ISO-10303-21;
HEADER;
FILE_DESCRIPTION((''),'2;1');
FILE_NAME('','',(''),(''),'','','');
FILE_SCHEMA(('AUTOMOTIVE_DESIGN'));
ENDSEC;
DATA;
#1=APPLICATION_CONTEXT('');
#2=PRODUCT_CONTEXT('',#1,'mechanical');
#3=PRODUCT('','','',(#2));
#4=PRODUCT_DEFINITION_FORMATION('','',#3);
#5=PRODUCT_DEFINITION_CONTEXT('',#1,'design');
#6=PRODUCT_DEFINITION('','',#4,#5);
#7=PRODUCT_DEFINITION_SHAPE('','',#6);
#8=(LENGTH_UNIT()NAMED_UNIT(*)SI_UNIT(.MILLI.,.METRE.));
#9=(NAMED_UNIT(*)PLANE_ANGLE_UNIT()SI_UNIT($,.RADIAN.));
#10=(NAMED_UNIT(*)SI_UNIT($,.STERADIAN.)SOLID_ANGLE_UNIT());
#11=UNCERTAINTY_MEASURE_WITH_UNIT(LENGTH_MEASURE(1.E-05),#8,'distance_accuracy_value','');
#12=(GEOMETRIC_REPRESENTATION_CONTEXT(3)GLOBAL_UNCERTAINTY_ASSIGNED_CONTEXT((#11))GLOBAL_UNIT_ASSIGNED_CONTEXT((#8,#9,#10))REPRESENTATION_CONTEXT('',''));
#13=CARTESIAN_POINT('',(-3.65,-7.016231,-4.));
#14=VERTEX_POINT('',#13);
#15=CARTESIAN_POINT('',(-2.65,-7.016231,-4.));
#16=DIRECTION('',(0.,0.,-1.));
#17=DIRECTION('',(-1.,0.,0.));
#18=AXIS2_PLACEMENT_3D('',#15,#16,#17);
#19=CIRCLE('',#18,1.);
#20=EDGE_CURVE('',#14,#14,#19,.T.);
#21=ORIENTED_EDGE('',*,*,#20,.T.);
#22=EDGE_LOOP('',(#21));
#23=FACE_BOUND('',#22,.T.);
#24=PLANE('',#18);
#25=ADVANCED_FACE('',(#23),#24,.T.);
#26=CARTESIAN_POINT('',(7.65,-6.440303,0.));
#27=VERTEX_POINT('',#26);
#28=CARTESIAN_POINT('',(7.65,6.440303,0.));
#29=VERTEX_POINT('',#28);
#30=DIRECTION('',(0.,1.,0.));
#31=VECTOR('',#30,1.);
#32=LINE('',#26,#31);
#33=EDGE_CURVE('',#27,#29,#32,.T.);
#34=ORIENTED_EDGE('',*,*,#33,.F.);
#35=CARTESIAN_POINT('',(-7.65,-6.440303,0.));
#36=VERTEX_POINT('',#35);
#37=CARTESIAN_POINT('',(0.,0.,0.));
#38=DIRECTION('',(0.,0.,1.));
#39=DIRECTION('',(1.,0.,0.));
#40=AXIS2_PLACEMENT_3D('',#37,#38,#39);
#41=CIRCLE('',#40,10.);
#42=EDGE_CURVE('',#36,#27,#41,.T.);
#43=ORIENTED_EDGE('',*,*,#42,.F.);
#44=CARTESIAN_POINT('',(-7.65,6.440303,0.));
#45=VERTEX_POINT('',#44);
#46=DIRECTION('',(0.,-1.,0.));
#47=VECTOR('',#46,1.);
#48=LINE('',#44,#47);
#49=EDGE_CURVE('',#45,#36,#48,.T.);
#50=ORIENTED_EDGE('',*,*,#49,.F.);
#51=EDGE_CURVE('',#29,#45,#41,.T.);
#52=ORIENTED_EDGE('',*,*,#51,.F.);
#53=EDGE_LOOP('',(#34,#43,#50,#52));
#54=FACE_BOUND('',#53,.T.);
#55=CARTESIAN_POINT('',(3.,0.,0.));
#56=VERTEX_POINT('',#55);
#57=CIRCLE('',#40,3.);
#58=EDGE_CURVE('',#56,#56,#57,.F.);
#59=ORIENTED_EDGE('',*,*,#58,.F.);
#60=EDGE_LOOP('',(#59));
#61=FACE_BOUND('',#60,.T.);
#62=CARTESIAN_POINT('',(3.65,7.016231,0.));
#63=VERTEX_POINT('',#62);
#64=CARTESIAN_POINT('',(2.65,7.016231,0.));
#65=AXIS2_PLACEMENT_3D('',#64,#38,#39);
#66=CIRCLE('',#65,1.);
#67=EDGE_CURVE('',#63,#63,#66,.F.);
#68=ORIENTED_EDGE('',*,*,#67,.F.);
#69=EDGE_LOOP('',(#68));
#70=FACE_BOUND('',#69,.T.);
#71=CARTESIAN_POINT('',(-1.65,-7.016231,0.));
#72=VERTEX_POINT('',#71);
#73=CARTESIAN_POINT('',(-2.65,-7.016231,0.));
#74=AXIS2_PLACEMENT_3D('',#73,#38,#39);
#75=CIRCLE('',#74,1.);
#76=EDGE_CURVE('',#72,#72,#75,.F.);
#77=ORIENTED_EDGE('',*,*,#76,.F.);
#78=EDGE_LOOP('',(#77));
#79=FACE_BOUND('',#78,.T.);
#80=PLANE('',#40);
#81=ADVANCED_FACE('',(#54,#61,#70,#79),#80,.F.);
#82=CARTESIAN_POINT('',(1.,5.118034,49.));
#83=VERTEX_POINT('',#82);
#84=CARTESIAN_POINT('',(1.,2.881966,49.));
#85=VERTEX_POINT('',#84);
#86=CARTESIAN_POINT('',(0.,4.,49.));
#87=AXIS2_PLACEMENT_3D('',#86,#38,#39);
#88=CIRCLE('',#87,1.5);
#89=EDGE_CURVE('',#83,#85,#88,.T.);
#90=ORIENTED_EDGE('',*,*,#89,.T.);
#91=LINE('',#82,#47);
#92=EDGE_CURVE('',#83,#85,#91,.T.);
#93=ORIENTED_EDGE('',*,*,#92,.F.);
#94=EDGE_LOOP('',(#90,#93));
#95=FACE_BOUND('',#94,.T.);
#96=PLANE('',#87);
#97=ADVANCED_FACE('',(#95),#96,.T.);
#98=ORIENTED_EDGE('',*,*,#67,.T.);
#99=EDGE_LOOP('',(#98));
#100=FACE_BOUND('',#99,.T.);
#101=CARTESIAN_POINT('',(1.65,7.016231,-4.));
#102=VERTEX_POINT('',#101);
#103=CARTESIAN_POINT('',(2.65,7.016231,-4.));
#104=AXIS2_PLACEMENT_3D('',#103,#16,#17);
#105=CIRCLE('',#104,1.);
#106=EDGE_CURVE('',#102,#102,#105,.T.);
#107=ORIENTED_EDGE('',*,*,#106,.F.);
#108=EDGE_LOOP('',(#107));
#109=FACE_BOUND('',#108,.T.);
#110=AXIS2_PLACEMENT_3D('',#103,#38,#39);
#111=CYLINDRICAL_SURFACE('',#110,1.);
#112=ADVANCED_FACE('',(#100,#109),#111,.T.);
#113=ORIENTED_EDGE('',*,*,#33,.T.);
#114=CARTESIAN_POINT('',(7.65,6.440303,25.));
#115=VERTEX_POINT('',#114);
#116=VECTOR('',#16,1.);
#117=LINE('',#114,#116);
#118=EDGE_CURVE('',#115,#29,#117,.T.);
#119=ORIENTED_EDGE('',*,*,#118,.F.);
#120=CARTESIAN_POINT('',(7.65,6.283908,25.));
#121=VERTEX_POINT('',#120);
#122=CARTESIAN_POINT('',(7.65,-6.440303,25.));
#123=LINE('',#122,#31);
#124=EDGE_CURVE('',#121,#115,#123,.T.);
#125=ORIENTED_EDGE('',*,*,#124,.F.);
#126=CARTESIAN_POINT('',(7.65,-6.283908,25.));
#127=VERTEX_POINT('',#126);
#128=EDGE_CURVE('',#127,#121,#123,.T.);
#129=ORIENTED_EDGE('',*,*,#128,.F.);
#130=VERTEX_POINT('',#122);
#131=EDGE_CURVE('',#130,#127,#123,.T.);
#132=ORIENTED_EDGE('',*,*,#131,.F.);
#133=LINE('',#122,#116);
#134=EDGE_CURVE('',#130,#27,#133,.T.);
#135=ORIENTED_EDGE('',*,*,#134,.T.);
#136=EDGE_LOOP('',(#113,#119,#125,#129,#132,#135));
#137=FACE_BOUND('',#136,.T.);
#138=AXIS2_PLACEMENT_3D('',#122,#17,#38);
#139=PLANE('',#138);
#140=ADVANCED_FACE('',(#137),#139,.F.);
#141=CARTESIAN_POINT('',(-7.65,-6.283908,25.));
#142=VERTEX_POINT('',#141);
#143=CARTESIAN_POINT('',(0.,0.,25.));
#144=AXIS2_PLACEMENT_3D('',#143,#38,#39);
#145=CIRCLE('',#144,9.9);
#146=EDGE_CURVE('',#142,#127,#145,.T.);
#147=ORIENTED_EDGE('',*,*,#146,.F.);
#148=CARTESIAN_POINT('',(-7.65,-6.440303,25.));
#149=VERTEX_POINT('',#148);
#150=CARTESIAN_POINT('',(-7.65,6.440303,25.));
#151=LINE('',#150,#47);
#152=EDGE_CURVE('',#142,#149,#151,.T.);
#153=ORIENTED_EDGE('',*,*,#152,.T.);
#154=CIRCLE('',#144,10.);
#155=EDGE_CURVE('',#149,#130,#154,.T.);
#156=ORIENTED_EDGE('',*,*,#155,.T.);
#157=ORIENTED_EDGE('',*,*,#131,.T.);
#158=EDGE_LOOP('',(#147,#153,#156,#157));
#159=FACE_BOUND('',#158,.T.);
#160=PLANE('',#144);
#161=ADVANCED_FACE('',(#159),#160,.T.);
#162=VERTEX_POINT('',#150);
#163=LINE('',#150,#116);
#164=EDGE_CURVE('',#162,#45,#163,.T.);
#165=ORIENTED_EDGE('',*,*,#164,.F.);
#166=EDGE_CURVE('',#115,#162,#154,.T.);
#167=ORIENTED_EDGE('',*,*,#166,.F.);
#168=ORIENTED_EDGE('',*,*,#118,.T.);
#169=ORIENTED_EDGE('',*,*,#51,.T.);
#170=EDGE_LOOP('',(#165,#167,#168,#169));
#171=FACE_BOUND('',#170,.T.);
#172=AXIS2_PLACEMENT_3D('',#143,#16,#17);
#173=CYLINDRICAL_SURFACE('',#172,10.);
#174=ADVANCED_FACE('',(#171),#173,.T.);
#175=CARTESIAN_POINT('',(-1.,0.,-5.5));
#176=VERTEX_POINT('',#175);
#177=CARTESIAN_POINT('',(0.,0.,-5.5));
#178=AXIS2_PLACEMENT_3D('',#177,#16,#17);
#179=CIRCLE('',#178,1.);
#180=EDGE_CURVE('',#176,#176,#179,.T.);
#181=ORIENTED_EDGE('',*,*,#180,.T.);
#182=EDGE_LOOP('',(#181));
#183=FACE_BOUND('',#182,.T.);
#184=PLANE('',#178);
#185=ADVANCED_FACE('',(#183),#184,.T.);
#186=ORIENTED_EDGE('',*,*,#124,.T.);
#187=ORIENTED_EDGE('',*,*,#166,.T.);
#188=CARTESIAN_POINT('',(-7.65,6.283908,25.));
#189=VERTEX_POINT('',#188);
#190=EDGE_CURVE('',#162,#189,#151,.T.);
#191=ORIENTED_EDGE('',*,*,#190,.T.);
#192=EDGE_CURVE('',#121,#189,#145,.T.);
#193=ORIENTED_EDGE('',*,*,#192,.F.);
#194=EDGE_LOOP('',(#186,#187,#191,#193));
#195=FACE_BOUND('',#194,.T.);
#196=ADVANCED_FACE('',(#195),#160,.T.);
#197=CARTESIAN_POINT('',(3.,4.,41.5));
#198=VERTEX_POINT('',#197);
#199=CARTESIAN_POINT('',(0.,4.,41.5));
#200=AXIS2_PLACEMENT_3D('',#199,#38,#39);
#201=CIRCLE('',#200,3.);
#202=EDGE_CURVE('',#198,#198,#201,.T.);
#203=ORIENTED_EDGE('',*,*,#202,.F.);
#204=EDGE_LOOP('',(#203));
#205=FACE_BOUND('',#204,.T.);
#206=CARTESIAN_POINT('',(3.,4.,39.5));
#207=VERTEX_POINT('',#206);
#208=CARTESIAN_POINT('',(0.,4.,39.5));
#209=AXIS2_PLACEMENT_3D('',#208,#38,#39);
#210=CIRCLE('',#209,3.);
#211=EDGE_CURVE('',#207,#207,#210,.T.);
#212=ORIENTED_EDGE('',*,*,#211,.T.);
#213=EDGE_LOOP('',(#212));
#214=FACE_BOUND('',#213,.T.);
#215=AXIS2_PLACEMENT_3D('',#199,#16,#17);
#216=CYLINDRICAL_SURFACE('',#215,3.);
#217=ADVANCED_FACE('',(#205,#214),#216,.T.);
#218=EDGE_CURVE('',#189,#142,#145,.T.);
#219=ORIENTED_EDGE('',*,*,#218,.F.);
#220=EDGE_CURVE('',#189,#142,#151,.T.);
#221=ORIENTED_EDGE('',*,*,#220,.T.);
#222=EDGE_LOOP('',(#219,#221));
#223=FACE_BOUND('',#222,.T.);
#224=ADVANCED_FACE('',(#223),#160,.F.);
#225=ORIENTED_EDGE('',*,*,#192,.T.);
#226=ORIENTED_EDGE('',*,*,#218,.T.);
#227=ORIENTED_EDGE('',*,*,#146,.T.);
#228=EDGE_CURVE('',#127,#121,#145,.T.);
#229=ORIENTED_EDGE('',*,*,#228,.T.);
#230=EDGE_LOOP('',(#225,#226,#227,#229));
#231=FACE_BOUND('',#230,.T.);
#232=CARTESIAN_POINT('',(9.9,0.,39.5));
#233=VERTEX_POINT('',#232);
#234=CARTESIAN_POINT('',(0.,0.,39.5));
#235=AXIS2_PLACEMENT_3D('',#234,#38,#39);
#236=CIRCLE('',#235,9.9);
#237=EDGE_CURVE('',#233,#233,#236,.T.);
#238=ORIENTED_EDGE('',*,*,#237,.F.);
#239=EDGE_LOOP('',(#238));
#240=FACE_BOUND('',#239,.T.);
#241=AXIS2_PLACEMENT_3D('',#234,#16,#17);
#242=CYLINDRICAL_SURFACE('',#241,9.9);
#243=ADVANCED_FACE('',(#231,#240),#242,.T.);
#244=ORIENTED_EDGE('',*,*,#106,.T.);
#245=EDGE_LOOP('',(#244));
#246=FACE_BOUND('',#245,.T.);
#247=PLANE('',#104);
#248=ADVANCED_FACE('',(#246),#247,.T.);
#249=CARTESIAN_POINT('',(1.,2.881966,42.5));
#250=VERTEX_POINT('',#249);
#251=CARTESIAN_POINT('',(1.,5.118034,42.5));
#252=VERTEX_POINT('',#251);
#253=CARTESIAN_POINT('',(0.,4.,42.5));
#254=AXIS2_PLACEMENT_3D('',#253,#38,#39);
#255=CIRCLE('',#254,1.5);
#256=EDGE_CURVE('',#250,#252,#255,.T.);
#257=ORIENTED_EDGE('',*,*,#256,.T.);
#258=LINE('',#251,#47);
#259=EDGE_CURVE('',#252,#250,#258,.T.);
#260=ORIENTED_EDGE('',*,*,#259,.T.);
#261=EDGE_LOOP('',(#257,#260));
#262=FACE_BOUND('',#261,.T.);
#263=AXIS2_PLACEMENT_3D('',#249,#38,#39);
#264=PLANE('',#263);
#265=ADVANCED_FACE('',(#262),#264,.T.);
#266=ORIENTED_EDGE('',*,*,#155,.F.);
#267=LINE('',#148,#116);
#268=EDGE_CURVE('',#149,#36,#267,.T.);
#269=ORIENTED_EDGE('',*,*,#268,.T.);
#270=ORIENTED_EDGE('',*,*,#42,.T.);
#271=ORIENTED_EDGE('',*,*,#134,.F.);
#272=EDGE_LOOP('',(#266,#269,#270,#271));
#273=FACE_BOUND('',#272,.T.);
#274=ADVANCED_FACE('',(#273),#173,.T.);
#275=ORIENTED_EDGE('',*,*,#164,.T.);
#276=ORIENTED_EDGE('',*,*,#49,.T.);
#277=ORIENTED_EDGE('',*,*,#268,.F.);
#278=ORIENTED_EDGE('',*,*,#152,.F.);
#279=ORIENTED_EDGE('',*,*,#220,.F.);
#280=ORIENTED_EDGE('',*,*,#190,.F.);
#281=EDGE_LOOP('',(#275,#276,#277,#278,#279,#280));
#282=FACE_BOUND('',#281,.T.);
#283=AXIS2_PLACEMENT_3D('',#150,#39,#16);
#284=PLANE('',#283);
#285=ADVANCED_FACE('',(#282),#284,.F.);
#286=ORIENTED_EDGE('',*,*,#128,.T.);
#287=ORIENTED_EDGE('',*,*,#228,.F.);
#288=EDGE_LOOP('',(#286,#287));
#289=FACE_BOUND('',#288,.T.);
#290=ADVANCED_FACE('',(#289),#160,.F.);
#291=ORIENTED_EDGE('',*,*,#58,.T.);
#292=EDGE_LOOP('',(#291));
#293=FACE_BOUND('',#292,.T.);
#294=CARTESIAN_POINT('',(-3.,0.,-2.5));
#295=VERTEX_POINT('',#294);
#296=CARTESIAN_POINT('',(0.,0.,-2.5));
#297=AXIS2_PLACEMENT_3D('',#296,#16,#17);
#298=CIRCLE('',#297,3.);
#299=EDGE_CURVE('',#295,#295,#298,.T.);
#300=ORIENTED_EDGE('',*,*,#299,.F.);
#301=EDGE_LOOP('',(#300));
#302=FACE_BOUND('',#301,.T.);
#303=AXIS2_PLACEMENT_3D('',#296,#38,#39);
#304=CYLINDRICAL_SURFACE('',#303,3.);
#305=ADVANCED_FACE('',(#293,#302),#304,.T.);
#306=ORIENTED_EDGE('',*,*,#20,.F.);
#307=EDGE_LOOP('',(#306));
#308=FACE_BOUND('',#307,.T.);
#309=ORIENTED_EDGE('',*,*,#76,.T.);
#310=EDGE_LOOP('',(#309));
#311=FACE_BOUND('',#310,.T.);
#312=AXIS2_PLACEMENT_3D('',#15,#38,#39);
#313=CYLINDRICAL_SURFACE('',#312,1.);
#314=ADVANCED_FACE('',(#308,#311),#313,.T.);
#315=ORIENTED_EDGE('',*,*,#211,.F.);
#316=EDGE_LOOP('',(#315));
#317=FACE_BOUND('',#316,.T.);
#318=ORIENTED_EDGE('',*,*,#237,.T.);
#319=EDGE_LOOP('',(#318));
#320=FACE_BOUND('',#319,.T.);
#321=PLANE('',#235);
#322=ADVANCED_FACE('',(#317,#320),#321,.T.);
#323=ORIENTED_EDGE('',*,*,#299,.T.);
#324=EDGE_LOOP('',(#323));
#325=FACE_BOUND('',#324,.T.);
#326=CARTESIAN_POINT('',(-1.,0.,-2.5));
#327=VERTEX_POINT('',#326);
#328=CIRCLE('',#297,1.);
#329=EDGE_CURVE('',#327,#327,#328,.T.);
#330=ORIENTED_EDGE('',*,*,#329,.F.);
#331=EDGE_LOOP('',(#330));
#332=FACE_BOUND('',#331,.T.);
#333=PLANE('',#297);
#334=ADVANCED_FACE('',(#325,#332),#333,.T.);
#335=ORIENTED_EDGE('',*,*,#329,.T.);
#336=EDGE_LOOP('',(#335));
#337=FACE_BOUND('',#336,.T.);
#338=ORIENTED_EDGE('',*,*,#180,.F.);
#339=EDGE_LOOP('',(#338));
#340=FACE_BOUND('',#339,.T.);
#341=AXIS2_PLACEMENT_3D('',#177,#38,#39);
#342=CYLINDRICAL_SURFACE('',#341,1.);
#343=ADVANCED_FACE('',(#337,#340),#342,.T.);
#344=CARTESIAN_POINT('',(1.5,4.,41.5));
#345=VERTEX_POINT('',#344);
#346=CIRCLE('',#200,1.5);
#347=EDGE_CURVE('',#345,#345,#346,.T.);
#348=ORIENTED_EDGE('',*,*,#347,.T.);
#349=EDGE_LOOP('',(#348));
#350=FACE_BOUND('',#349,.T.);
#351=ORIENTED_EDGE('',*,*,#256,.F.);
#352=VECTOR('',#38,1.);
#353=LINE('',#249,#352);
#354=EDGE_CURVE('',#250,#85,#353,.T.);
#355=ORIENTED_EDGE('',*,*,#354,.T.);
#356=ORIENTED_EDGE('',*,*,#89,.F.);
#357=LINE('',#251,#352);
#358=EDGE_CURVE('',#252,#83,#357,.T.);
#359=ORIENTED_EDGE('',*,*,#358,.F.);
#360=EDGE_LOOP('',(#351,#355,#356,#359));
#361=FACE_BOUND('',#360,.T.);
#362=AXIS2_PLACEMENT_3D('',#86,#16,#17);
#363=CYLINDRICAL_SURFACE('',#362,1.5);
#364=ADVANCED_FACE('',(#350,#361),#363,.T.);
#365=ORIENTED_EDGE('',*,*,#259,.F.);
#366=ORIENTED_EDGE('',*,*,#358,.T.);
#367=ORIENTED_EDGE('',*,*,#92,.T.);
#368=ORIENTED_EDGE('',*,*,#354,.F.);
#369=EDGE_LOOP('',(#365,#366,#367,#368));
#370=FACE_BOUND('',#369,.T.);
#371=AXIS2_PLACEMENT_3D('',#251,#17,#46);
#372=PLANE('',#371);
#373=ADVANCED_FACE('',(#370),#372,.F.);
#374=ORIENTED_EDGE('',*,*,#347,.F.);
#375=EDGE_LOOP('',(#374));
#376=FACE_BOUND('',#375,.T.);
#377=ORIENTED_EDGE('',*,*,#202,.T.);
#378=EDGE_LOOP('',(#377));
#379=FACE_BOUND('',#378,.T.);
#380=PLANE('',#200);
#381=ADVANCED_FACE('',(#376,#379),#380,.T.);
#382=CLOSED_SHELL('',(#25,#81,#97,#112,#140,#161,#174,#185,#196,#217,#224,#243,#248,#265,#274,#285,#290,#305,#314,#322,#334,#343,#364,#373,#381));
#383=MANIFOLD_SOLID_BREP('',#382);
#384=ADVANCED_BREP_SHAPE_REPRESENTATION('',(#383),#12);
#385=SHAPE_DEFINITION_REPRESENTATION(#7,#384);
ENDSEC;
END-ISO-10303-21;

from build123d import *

# Parameters (mm, degrees)
EXTRUDE1_DEPTH = 25
SKETCH2_R      = 9.9
EXTRUDE2_DEPTH = 14.5
SKETCH3_R      = 3
EXTRUDE3_DEPTH = 2.5
SKETCH4_R      = 1
EXTRUDE4_DEPTH = 3
SKETCH5_R      = 1
EXTRUDE5_DEPTH = 4
SKETCH6_R      = 3
EXTRUDE6_DEPTH = 2
SKETCH7_R      = 1.5
EXTRUDE7_DEPTH = 7.5
SKETCH8_W      = 0.5
SKETCH8_H      = 2.236067978
EXTRUDE8_DEPTH = 6.5


with BuildPart() as part:
    # Sketch1 → Extrude1 (new body)
    with BuildSketch(Plane.XY):
        with BuildLine():
            Line((-7.65, 6.440302788), (-7.65, -6.440302788))
            ThreePointArc((-7.65, -6.440302788), (0, -10), (7.65, -6.440302788))
            Line((7.65, -6.440302788), (7.65, 6.440302788))
            ThreePointArc((7.65, 6.440302788), (0, 10), (-7.65, 6.440302788))
        make_face()
    extrude(amount=EXTRUDE1_DEPTH)

    # Sketch2 → Extrude2 (add)
    with BuildSketch(Plane.XY.offset(25)):
        with Locations(Location((0, 0, 0), (0, 0, 140.599431246))):
            Circle(SKETCH2_R)
    extrude(amount=EXTRUDE2_DEPTH)

    # Sketch3 → Extrude3 (add)
    with BuildSketch(Plane(origin=(0, 0, 0), x_dir=(-1, 0, 0), z_dir=(0, 0, -1))):
        with Locations(Location((0, 0, 0), (0, 0, 180))):
            Circle(SKETCH3_R)
    extrude(amount=EXTRUDE3_DEPTH)

    # Sketch4 → Extrude4 (add)
    with BuildSketch(Plane(origin=(0, 0, -2.5), x_dir=(-1, 0, 0), z_dir=(0, 0, -1))):
        Circle(SKETCH4_R)
    extrude(amount=EXTRUDE4_DEPTH)

    # Sketch5 → Extrude5 (add)
    with BuildSketch(Plane(origin=(0, 0, 0), x_dir=(-1, 0, 0), z_dir=(0, 0, -1))):
        with Locations(Location((-2.65, 7.016231182, 0), (0, 0, 180))):
            Circle(SKETCH5_R)
        with Locations(Location((2.65, -7.016231182, 0), (0, 0, 180))):
            Circle(SKETCH5_R)
    extrude(amount=EXTRUDE5_DEPTH)

    # Sketch6 → Extrude6 (add)
    with BuildSketch(Plane.XY.offset(39.5)):
        with Locations((0, 4)):
            Circle(SKETCH6_R)
    extrude(amount=EXTRUDE6_DEPTH)

    # Sketch7 → Extrude7 (add)
    with BuildSketch(Plane.XY.offset(41.5)):
        with Locations((0, 4)):
            Circle(SKETCH7_R)
    extrude(amount=EXTRUDE7_DEPTH)

    # Sketch8 → Extrude8 (cut)
    with BuildSketch(Plane.XY.offset(49)):
        with Locations((1.25, 4)):
            Rectangle(SKETCH8_W, SKETCH8_H)
    extrude(amount=-EXTRUDE8_DEPTH, mode=Mode.SUBTRACT)


solid = part.part
